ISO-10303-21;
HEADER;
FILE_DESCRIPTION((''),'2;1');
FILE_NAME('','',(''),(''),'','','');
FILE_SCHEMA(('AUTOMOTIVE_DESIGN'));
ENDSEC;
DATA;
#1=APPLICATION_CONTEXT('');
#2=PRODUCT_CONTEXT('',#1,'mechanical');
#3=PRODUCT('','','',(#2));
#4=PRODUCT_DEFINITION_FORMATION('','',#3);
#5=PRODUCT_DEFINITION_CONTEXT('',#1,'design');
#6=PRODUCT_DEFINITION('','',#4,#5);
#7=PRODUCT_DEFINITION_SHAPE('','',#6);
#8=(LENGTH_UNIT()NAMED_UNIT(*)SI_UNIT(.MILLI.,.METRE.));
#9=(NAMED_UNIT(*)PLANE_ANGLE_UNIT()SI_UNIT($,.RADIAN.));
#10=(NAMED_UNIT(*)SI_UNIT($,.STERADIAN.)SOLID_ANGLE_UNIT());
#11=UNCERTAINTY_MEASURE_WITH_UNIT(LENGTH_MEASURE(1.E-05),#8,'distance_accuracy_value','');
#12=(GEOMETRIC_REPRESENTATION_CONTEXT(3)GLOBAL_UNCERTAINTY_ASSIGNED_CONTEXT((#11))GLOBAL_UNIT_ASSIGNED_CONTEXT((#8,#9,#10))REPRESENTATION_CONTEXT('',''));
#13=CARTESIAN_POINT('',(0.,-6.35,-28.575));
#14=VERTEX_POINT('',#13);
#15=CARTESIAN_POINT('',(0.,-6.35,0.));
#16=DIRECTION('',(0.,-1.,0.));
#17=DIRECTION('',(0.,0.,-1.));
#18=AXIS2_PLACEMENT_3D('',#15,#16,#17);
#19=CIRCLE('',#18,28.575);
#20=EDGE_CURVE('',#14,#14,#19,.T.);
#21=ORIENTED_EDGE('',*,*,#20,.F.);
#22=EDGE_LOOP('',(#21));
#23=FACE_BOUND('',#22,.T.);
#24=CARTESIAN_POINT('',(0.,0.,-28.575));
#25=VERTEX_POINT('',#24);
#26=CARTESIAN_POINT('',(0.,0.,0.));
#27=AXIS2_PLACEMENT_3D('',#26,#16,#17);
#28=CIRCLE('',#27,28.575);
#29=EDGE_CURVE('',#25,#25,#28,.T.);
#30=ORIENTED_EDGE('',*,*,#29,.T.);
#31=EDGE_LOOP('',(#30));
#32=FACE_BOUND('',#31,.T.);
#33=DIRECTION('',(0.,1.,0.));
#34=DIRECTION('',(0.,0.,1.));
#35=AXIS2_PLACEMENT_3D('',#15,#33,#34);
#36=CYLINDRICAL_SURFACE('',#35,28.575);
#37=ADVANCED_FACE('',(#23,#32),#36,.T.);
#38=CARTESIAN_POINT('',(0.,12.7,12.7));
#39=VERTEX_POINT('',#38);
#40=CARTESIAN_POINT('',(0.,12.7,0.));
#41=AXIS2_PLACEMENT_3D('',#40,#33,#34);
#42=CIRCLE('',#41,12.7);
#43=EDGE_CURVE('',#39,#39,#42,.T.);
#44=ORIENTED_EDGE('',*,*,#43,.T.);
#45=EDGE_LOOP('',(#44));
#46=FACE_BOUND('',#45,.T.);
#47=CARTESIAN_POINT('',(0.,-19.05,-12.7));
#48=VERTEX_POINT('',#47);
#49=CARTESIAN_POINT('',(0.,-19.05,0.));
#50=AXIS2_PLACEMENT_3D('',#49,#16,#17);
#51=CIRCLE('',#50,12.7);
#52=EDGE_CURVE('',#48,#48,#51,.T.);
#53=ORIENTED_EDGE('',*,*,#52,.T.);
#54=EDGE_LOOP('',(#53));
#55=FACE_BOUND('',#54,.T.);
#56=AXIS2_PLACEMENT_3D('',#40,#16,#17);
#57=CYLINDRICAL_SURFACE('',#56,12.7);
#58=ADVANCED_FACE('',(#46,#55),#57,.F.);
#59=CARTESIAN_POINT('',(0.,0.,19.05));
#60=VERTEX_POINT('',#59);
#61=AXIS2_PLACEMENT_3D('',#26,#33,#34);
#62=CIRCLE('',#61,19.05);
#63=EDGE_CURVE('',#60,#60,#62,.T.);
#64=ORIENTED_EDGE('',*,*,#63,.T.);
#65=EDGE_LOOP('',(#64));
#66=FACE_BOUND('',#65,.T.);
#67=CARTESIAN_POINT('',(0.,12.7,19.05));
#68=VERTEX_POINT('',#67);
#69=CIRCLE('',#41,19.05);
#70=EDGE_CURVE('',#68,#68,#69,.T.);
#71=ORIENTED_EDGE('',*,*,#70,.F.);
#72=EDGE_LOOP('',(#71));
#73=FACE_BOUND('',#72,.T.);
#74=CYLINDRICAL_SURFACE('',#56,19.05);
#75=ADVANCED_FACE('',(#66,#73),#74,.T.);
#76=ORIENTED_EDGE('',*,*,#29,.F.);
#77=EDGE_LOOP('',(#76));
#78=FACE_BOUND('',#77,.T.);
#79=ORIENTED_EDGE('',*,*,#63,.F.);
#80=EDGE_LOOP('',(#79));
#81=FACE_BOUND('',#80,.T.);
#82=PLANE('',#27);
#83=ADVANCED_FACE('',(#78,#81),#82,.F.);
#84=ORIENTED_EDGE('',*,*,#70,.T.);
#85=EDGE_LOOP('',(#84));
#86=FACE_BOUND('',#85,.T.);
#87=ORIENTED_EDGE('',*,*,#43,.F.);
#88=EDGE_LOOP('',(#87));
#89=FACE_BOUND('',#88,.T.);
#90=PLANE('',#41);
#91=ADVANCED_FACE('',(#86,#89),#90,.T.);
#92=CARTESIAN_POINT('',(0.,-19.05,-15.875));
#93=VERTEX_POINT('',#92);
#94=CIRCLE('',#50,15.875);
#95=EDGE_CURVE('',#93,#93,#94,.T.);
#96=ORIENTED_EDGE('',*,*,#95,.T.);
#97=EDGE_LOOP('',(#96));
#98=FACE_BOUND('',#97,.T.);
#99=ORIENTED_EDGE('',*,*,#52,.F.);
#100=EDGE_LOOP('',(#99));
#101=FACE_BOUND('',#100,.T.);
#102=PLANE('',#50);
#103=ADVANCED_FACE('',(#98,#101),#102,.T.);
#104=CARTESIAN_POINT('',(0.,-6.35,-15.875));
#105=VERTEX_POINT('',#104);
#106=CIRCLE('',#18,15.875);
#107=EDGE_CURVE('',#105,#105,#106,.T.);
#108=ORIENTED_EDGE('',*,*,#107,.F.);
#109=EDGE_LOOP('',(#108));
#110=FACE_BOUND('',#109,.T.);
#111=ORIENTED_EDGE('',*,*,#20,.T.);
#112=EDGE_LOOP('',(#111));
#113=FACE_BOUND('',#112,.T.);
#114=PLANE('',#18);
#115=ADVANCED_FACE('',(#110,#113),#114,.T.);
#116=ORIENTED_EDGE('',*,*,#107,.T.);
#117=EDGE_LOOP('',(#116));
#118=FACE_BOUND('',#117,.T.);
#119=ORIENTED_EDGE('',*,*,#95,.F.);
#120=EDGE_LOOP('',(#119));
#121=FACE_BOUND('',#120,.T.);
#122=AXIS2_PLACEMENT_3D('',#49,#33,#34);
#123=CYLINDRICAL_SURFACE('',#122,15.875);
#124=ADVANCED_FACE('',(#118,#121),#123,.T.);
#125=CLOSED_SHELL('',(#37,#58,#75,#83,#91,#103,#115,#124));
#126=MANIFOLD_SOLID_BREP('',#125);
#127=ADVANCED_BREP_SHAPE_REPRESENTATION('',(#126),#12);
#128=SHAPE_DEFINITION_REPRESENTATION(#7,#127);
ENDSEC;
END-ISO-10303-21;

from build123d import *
from build123d.topology import SkipClean

# Parameters (mm, degrees)
SKETCH1_R    = 19.05
SKETCH1_R_2  = 12.7
TOP_DEPTH    = 12.7
MIDDLE_START = 6.35
SKETCH4_R    = 28.575
SKETCH4_R_2  = 12.7
MIDDLE_DEPTH = 6.35
BOTTOM_START = 12.7
SKETCH5_R    = 15.875
SKETCH5_R_2  = 12.7
BOTTOM_DEPTH = 12.7


with BuildPart() as part:
    # Sketch1 → Top (new body)
    with BuildSketch(Plane(origin=(0, 0, 0), x_dir=(1, 0, 0), z_dir=(0, 1, 0))):
        with Locations(Location((0, 0, 0), (0, 0, 270))):
            Circle(SKETCH1_R)
        with Locations(Location((0, 0, 0), (0, 0, 270))):
            Circle(SKETCH1_R_2, mode=Mode.SUBTRACT)
    extrude(amount=TOP_DEPTH)

    # Sketch4 → Middle (add)
    with SkipClean():  # the faces are left unmerged after this step: merging them gives an invalid solid
        with BuildSketch(Plane.XZ.offset(MIDDLE_START)):
            with Locations(Location((0, 0, 0), (0, 0, 270))):
                Circle(SKETCH4_R)
            with Locations(Location((0, 0, 0), (0, 0, 270))):
                Circle(SKETCH4_R_2, mode=Mode.SUBTRACT)
        extrude(amount=-MIDDLE_DEPTH)

    # Sketch5 → Bottom (add)
    with SkipClean():  # the faces are left unmerged after this step: merging them gives an invalid solid
        with BuildSketch(Plane.XZ.offset(6.35).offset(BOTTOM_START)):
            with Locations(Location((0, 0, 0), (0, 0, 270))):
                Circle(SKETCH5_R)
            with Locations(Location((0, 0, 0), (0, 0, 270))):
                Circle(SKETCH5_R_2, mode=Mode.SUBTRACT)
        extrude(amount=-BOTTOM_DEPTH)


solid = part.part
